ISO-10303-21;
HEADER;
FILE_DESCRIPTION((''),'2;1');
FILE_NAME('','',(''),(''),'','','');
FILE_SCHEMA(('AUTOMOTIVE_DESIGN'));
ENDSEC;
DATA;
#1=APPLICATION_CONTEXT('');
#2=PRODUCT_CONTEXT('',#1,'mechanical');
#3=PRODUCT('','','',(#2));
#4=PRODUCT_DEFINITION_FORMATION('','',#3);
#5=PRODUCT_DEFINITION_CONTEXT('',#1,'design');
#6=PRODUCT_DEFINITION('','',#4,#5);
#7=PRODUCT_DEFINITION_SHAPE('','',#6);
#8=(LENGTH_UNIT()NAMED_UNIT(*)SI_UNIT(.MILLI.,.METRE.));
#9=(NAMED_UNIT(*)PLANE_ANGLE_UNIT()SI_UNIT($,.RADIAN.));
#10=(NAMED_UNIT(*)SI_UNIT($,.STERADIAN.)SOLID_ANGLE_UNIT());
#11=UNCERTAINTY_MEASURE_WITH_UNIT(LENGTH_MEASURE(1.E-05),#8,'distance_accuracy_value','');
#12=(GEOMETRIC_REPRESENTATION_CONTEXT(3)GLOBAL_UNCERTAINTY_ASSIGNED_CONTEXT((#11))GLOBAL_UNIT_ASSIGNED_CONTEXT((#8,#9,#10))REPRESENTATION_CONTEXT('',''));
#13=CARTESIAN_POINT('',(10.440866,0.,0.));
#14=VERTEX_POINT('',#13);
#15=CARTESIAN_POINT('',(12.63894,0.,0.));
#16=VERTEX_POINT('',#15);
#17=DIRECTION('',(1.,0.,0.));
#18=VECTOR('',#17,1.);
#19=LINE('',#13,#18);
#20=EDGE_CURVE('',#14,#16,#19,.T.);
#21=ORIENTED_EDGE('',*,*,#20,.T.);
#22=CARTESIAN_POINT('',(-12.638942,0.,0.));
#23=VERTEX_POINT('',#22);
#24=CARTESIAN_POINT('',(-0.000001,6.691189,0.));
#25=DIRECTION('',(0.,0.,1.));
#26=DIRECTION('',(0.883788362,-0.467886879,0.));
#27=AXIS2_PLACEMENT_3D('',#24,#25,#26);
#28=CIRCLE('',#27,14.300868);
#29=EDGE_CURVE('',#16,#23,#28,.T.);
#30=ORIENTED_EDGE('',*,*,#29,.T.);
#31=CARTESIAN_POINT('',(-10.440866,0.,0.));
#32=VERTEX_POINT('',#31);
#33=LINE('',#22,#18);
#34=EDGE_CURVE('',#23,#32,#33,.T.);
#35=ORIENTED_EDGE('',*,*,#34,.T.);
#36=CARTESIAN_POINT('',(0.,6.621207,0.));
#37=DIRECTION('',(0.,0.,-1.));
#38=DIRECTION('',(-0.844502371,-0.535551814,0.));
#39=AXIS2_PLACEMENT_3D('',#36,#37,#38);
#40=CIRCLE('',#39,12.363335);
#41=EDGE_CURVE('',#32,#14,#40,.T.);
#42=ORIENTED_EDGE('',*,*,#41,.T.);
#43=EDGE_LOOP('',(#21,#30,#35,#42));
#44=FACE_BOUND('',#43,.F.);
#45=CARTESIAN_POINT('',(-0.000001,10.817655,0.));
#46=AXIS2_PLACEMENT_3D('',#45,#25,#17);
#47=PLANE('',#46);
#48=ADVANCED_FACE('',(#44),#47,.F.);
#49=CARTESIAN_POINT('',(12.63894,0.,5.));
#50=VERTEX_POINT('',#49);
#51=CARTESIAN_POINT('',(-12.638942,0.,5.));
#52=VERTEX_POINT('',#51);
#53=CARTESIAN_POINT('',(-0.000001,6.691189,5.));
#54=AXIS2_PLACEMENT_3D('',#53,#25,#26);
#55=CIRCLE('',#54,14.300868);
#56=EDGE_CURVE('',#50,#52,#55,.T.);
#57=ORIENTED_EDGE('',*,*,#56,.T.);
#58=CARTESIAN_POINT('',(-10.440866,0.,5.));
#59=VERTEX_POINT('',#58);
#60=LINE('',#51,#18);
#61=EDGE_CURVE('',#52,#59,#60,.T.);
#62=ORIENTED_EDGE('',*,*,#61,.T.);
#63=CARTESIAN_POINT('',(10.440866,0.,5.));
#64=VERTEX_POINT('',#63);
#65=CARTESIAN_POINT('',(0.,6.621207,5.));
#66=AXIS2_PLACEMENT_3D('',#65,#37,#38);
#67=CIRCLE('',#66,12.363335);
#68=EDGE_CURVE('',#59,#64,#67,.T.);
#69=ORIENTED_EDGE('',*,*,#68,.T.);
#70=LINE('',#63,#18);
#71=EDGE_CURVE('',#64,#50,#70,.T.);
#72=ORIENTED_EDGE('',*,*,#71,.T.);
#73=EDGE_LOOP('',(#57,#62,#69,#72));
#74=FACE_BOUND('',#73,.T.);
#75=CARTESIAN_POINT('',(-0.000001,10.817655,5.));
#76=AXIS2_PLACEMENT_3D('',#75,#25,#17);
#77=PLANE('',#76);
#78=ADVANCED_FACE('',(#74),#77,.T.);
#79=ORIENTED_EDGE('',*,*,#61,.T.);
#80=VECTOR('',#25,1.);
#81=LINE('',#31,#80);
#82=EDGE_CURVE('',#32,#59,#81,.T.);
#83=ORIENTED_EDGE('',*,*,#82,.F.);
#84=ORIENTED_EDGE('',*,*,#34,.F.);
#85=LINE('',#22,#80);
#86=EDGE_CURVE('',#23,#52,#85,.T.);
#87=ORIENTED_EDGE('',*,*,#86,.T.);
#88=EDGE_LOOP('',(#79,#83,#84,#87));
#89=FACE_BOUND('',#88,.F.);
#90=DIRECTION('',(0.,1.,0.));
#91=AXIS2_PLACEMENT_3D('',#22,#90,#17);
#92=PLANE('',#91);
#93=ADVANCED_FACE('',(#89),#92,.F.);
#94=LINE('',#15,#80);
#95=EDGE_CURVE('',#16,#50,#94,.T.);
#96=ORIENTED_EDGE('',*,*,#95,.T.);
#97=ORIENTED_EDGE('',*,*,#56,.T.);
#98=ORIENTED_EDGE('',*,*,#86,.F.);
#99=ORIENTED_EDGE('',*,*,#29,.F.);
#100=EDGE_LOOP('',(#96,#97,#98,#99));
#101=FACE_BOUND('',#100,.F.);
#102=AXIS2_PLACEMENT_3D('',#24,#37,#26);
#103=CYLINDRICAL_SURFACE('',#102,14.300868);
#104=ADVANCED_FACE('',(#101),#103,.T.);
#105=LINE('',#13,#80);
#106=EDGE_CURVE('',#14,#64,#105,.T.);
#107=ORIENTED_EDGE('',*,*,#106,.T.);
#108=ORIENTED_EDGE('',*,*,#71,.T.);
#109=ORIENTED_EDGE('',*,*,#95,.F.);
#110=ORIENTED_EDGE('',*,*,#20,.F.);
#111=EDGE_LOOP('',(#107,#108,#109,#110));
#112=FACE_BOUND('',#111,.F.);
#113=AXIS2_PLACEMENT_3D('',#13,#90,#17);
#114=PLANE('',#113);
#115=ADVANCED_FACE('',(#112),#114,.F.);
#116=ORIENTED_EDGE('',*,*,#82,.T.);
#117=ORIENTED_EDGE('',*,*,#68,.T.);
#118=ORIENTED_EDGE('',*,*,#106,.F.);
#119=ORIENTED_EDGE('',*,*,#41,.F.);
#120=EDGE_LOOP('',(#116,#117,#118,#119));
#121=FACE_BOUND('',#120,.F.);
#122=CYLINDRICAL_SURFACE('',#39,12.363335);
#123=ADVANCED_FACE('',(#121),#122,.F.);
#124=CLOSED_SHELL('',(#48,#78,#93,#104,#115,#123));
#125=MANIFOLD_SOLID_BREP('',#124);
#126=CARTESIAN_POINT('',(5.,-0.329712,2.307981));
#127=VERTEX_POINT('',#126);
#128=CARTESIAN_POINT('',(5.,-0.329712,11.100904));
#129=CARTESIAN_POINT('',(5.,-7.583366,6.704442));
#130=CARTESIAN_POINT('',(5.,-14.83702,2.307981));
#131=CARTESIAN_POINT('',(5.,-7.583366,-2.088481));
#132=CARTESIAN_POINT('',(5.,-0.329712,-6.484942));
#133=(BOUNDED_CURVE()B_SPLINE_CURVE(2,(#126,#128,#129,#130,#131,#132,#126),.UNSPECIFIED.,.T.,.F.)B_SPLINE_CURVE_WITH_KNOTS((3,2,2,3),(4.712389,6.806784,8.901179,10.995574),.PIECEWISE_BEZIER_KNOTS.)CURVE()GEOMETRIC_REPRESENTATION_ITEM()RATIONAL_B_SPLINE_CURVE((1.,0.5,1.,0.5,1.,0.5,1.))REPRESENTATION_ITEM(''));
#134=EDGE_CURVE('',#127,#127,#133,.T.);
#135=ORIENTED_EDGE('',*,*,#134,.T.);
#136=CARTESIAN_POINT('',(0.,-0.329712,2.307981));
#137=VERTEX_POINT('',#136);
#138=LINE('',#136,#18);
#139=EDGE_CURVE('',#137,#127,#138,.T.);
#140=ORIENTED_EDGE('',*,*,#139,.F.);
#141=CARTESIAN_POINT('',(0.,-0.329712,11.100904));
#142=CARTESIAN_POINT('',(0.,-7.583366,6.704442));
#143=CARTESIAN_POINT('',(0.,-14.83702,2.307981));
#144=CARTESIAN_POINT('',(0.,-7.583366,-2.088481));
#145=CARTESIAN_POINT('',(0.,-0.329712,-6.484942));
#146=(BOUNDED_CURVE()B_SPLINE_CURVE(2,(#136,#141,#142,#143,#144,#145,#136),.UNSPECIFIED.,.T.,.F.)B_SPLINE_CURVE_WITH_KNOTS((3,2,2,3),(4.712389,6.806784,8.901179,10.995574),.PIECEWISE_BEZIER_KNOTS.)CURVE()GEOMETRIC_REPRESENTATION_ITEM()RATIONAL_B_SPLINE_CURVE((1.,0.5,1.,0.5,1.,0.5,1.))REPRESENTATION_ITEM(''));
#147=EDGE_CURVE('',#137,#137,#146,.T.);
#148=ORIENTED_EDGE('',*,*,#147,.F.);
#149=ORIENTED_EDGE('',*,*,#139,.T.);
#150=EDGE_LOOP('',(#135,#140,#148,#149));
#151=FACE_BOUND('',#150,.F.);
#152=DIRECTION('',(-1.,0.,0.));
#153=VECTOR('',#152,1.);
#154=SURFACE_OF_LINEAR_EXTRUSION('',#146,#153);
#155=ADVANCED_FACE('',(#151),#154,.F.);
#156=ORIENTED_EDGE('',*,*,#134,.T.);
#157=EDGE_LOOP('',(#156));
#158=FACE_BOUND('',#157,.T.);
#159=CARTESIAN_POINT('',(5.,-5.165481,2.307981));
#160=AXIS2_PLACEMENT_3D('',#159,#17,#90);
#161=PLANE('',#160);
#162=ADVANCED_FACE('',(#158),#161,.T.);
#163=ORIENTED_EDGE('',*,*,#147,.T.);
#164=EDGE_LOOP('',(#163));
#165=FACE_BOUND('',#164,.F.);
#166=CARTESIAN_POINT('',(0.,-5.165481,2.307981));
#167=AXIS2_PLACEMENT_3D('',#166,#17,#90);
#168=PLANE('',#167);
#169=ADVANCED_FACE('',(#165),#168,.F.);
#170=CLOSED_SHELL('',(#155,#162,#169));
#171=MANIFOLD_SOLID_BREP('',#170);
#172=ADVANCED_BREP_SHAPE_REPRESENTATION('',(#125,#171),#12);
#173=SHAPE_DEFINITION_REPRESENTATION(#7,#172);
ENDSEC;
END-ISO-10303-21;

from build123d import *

# Parameters (mm, degrees)
F1_DEPTH = 5
F3_DEPTH = 5


with BuildPart() as f1:
    # F0 (on Top) → F1 (new body)
    with BuildSketch(Plane.XY):
        with BuildLine():
            ThreePointArc((-10.440866, 0), (0, 18.984542), (10.440866, 0))
            Line((10.440866, 0), (12.63894, 0))
            ThreePointArc((12.63894, 0), (-1e-06, 20.992057), (-12.638942, 0))
            Line((-12.638942, 0), (-10.440866, 0))
        make_face()
    extrude(amount=F1_DEPTH)


with BuildPart() as f3:
    # F2 (on Right) → F3 (new body)
    with BuildSketch(Plane.YZ):
        with BuildLine():
            add(Edge.make_bspline(
                [(-0.329712, 2.307981), (-0.329712, 11.100904), (-7.583366, 6.704442), (-14.83702, 2.307981), (-7.583366, -2.088481), (-0.329712, -6.484942), (-0.329712, 2.307981)],
                knots=[4.712389, 4.712389, 4.712389, 6.806784, 6.806784, 8.901179, 8.901179, 10.995574, 10.995574, 10.995574], degree=2, weights=[1, 0.5, 1, 0.5, 1, 0.5, 1]))
        make_face()
    extrude(amount=F3_DEPTH)


solid = Compound([f1.part, f3.part])
